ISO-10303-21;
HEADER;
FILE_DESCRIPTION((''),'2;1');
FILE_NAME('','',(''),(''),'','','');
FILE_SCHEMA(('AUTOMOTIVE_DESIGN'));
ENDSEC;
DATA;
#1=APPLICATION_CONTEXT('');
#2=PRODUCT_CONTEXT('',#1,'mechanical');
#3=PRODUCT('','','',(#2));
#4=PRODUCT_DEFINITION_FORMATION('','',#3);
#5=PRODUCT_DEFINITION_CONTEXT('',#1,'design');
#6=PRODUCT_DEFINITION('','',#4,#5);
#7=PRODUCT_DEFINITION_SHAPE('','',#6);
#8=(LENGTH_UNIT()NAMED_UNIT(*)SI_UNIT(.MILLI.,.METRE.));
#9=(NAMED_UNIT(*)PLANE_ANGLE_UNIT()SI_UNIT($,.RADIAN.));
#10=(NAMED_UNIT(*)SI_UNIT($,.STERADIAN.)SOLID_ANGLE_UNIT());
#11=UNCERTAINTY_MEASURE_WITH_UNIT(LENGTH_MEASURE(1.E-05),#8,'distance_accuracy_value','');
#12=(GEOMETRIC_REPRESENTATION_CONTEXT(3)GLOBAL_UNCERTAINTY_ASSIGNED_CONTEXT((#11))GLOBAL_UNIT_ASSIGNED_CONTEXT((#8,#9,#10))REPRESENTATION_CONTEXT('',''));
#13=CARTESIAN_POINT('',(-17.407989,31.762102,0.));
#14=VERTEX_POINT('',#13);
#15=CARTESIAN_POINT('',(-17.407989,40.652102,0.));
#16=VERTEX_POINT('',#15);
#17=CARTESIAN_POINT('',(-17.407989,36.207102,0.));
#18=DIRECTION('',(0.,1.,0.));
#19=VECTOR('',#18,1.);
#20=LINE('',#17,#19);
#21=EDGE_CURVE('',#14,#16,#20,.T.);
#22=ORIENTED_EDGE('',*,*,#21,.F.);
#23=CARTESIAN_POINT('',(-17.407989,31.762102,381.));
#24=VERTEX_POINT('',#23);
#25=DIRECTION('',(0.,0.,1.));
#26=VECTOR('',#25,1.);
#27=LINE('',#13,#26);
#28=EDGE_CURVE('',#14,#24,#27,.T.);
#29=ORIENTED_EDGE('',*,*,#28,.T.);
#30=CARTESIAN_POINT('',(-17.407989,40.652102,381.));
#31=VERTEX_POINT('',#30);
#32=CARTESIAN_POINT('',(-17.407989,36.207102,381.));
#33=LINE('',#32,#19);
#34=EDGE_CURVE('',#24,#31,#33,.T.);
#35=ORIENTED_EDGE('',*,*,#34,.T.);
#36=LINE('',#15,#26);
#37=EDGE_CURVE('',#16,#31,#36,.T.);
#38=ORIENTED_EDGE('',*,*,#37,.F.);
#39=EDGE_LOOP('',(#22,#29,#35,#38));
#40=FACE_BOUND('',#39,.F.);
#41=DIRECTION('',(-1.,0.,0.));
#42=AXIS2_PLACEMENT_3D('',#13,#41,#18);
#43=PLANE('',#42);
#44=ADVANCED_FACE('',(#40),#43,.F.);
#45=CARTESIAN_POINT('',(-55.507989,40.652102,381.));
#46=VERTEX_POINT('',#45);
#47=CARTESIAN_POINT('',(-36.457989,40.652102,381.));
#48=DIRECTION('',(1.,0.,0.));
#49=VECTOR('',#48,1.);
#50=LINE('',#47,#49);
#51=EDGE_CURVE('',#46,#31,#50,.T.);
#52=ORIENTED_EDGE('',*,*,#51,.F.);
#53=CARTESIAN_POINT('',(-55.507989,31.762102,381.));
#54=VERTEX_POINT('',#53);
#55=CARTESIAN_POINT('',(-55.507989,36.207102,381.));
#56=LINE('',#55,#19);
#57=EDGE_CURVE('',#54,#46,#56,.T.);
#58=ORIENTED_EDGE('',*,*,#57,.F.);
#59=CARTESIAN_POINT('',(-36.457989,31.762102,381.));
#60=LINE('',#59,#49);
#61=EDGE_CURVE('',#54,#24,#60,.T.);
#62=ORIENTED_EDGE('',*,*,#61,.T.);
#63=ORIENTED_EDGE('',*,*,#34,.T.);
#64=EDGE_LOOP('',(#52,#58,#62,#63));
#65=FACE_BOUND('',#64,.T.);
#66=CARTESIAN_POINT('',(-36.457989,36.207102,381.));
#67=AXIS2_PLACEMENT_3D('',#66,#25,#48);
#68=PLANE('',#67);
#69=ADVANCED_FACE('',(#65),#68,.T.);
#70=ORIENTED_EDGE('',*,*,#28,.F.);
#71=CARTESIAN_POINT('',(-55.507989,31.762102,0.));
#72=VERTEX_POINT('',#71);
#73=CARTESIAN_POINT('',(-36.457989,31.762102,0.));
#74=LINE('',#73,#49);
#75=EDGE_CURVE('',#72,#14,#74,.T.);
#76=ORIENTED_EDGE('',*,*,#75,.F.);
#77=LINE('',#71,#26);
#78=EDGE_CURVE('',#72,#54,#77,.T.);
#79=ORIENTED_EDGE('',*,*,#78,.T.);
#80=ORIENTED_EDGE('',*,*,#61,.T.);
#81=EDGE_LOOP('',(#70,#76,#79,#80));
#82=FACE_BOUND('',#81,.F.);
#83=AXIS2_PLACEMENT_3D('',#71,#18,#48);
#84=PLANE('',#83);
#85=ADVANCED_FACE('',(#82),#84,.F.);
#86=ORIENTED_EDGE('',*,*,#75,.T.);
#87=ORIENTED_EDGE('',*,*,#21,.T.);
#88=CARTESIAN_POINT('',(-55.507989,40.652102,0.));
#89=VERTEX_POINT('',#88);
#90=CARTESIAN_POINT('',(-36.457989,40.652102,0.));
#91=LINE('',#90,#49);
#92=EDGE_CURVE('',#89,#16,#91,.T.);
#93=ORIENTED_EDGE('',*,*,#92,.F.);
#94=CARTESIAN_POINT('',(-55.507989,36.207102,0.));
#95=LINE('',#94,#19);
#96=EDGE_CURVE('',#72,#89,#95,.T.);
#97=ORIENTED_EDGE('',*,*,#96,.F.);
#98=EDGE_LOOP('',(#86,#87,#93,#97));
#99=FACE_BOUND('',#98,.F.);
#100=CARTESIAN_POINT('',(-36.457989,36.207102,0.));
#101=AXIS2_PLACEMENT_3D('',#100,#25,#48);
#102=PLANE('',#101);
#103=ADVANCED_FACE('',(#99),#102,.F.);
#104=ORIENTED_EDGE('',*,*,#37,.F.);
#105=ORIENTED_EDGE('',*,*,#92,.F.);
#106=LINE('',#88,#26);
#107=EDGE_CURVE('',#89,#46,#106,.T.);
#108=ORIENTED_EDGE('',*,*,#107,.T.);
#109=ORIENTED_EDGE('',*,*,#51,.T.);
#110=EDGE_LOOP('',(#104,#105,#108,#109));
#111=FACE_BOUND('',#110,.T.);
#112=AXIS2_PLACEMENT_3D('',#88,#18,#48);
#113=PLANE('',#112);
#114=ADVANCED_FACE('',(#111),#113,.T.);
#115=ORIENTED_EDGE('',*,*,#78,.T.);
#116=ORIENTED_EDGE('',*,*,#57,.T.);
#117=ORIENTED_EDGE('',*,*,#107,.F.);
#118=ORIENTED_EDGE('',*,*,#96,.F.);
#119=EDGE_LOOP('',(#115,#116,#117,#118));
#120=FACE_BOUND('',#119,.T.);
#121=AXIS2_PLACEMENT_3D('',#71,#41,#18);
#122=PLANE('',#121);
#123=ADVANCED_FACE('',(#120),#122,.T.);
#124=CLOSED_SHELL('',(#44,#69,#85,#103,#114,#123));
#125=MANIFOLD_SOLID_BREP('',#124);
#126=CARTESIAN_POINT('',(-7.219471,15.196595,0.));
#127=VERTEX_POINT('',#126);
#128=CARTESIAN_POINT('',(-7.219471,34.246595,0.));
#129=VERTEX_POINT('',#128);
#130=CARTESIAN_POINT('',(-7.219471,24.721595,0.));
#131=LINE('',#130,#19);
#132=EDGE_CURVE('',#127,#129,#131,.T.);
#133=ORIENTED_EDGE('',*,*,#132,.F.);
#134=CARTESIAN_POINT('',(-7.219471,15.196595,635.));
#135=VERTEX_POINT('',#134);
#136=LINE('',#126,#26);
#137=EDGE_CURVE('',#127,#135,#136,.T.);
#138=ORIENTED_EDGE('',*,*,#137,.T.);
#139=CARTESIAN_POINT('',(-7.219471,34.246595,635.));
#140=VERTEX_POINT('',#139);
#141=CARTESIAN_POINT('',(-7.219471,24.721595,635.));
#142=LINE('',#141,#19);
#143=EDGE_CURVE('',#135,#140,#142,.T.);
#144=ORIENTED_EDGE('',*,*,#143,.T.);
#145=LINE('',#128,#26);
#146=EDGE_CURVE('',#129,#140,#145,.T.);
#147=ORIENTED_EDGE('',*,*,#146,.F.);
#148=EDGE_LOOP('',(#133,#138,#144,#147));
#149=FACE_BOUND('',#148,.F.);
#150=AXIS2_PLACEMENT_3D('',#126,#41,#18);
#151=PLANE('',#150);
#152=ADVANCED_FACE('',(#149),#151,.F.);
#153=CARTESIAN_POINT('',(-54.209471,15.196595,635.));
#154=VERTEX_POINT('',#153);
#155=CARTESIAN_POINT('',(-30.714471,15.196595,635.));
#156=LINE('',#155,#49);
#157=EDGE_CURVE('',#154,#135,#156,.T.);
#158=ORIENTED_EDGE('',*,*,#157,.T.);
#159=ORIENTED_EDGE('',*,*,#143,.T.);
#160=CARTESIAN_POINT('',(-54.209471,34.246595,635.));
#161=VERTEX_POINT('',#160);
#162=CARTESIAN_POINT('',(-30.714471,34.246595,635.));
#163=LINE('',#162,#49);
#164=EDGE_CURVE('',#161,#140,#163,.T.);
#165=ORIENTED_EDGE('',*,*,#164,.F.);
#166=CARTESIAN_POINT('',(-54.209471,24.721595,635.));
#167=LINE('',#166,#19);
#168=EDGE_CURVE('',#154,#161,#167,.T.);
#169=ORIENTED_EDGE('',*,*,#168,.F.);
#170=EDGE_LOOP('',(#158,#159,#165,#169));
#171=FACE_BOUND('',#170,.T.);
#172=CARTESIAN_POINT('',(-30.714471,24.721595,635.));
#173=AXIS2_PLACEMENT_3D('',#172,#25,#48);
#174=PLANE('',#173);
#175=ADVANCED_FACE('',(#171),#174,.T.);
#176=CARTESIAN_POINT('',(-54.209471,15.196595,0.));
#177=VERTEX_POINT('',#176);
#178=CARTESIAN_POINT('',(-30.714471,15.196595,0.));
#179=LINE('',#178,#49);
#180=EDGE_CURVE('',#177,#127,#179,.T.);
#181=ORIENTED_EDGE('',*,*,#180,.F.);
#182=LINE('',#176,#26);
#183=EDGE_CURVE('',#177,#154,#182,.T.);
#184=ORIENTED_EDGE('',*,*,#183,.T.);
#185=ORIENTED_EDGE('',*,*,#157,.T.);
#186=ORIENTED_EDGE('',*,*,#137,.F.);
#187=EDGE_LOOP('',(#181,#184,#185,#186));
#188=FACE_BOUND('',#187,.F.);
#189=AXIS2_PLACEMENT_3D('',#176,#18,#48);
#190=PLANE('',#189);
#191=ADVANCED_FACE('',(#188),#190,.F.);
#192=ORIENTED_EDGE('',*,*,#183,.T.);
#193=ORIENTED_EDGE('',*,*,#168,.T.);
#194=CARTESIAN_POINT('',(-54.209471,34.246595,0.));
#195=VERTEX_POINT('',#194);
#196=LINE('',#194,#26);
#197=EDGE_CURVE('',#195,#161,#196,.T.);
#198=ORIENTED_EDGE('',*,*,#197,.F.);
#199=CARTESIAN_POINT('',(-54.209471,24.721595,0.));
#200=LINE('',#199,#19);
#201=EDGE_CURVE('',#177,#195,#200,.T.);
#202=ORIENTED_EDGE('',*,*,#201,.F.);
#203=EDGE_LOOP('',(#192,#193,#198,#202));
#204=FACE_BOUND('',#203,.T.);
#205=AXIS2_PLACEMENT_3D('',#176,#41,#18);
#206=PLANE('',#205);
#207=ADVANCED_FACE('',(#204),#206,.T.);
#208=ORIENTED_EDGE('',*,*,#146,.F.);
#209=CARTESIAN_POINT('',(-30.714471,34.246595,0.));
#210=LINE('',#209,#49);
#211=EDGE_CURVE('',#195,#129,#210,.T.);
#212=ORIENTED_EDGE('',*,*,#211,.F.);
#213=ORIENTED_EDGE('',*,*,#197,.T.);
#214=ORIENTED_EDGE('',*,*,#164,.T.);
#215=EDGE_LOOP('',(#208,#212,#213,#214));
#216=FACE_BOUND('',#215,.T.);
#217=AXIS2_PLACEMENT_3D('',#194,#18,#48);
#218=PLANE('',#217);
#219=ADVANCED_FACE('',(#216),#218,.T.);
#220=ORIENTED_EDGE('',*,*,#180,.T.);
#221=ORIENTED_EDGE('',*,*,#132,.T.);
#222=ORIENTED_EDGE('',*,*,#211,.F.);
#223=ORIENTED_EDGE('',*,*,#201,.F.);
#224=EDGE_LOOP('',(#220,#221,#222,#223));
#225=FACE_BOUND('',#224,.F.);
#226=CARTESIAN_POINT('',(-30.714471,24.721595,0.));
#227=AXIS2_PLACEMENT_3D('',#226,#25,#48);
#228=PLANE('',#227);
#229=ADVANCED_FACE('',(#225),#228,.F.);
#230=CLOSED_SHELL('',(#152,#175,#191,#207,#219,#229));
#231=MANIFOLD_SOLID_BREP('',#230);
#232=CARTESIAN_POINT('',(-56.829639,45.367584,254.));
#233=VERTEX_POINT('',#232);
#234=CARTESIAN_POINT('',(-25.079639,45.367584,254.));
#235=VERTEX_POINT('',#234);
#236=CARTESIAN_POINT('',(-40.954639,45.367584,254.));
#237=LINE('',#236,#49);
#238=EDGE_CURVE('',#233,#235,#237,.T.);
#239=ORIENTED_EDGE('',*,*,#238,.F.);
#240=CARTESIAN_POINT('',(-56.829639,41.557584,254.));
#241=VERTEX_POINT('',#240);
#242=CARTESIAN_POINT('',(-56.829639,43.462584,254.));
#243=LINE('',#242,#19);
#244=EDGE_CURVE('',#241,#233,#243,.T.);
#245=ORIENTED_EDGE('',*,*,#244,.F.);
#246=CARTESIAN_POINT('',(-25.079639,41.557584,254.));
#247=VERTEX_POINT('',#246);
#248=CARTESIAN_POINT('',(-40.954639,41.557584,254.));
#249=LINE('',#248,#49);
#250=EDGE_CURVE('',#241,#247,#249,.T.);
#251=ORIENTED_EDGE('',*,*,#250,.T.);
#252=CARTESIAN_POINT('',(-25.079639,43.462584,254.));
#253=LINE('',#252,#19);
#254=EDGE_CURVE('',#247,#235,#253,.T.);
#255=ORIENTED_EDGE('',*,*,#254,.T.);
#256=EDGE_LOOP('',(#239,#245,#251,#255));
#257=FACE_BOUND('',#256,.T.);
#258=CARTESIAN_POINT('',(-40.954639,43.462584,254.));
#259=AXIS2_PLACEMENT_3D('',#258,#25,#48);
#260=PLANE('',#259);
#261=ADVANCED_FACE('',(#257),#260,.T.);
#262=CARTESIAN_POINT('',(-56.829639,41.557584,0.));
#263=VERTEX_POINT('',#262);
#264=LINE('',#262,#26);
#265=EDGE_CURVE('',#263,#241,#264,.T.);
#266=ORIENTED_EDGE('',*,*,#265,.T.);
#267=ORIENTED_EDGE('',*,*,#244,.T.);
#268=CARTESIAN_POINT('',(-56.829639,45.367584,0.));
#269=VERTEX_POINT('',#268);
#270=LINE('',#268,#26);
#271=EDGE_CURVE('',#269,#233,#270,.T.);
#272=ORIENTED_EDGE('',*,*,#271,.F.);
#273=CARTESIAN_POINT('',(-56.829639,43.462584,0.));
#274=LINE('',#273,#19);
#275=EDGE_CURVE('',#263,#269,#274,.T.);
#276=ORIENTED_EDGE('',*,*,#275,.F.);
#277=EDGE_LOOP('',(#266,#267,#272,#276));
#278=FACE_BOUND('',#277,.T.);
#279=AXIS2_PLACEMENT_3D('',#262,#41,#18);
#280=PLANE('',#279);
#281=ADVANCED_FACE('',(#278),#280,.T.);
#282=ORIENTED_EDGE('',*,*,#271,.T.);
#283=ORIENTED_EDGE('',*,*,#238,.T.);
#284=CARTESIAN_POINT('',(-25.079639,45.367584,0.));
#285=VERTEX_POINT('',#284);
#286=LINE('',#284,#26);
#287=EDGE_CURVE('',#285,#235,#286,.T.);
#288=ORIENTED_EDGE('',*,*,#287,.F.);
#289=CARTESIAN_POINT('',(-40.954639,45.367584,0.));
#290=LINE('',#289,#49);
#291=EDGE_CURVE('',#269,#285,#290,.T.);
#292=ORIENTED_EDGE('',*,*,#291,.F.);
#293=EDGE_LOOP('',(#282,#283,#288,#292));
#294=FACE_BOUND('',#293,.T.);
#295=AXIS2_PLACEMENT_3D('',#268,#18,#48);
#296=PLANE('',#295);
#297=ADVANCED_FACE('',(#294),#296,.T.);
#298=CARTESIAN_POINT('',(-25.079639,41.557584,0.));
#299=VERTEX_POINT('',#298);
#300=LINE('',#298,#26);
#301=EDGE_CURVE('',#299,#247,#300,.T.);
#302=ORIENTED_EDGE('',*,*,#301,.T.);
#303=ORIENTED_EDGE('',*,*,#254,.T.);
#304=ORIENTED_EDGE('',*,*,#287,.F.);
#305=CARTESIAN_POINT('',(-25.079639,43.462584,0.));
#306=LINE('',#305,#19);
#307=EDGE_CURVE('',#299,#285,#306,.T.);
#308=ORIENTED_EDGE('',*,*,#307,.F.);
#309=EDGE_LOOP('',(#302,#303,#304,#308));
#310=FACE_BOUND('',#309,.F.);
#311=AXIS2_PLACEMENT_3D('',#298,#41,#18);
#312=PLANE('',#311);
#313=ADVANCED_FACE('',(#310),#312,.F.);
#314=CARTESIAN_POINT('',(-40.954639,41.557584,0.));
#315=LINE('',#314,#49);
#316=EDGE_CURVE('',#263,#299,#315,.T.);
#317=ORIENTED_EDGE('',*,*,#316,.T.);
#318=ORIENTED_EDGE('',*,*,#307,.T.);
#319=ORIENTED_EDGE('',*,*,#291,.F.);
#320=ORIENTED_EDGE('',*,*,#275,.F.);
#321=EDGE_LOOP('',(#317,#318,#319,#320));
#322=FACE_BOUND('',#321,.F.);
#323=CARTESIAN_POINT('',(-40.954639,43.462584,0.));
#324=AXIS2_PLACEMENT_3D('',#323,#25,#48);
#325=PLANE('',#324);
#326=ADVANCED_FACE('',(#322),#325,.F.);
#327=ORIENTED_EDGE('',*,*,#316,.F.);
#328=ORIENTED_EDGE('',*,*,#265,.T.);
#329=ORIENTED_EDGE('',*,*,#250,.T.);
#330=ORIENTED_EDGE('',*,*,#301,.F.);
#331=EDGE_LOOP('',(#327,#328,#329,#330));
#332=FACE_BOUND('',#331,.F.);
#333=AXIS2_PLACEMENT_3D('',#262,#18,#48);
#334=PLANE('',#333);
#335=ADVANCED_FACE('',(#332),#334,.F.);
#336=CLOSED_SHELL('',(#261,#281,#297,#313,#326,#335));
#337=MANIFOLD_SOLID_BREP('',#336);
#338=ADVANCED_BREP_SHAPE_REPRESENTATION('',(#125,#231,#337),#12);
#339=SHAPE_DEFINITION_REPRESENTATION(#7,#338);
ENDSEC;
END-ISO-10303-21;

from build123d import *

# Parameters (mm, degrees)
F0_W     = 31.75
F0_H     = 3.81
F3_DEPTH = 254
F1_W     = 38.1
F1_H     = 8.89
F4_DEPTH = 381
F2_W     = 46.99
F2_H     = 19.05
F5_DEPTH = 635


with BuildPart() as f3:
    # F0 (on Top) → F3 (new body)
    with BuildSketch(Plane.XY):
        with Locations((-40.954639, 43.462584)):
            Rectangle(F0_W, F0_H)
    extrude(amount=F3_DEPTH)


with BuildPart() as f4:
    # F1 (on Top) → F4 (new body)
    with BuildSketch(Plane.XY):
        with Locations((-36.457989, 36.207102)):
            Rectangle(F1_W, F1_H)
    extrude(amount=F4_DEPTH)


with BuildPart() as f5:
    # F2 (on Top) → F5 (new body)
    with BuildSketch(Plane.XY):
        with Locations((-30.714471, 24.721595)):
            Rectangle(F2_W, F2_H)
    extrude(amount=F5_DEPTH)


solid = Compound([f3.part, f4.part, f5.part])
